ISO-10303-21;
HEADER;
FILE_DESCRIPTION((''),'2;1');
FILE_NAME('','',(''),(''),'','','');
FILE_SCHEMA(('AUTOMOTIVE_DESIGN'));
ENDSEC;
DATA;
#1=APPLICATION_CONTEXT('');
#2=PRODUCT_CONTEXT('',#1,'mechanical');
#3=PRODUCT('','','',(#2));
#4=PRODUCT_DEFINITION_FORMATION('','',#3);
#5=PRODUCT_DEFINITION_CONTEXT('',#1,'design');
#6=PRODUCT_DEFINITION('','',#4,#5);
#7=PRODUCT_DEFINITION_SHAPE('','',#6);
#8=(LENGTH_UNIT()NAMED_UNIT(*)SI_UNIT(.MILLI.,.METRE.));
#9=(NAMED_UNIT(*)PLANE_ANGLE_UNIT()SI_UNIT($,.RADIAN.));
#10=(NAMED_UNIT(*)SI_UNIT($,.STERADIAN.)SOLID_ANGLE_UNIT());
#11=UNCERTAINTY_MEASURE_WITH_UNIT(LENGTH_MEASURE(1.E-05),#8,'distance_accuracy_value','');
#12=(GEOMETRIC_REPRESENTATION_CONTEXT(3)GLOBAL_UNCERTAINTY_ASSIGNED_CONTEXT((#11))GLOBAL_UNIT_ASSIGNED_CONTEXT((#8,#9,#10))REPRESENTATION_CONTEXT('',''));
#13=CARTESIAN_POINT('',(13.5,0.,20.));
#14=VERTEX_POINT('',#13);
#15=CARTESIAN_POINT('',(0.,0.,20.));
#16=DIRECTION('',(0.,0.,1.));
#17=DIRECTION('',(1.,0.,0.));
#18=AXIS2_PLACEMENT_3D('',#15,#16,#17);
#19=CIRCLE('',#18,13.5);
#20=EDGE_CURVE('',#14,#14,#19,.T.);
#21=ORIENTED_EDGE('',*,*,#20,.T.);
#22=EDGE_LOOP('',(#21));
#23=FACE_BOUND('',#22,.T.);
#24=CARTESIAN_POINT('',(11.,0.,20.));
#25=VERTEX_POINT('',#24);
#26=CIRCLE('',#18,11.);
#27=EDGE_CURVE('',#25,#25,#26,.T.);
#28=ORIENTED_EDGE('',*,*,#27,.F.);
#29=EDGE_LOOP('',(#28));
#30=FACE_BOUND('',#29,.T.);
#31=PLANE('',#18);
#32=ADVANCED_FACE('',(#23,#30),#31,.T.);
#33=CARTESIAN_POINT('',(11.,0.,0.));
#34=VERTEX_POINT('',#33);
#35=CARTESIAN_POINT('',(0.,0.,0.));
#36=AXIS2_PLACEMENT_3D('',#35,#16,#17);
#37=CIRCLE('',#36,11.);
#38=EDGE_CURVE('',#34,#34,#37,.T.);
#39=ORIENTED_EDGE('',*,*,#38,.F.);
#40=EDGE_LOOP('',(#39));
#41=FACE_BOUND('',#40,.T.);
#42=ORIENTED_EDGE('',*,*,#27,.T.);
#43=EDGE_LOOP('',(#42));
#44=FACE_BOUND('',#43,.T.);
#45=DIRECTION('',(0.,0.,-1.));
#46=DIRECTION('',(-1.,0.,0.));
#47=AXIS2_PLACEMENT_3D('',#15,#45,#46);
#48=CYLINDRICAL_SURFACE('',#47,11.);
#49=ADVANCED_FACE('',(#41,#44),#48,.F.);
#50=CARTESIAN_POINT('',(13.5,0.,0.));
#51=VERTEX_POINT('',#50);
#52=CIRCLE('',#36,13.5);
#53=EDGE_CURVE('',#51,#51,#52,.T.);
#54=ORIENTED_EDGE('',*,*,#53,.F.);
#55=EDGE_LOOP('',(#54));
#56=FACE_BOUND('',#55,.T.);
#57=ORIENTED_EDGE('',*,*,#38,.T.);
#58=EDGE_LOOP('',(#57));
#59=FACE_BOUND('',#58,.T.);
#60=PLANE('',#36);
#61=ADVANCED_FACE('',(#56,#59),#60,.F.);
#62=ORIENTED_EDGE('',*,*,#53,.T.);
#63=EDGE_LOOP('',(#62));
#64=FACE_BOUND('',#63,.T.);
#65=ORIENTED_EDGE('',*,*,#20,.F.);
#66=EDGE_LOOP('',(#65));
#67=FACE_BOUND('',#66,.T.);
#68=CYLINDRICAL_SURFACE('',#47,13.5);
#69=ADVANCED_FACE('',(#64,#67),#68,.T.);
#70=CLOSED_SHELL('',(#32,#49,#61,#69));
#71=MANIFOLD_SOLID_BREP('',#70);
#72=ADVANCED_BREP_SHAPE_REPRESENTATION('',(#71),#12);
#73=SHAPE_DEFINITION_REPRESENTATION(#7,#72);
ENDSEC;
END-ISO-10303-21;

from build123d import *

# Parameters (mm, degrees)
SKETCH_1_R      = 13.5
SKETCH_1_R_2    = 11
EXTRUDE_1_DEPTH = 20


with BuildPart() as part:
    # 草圖1 → 填料-伸長1 (new body)
    with BuildSketch(Plane.XY):
        Circle(SKETCH_1_R)
        Circle(SKETCH_1_R_2, mode=Mode.SUBTRACT)
    extrude(amount=EXTRUDE_1_DEPTH)


solid = part.part
